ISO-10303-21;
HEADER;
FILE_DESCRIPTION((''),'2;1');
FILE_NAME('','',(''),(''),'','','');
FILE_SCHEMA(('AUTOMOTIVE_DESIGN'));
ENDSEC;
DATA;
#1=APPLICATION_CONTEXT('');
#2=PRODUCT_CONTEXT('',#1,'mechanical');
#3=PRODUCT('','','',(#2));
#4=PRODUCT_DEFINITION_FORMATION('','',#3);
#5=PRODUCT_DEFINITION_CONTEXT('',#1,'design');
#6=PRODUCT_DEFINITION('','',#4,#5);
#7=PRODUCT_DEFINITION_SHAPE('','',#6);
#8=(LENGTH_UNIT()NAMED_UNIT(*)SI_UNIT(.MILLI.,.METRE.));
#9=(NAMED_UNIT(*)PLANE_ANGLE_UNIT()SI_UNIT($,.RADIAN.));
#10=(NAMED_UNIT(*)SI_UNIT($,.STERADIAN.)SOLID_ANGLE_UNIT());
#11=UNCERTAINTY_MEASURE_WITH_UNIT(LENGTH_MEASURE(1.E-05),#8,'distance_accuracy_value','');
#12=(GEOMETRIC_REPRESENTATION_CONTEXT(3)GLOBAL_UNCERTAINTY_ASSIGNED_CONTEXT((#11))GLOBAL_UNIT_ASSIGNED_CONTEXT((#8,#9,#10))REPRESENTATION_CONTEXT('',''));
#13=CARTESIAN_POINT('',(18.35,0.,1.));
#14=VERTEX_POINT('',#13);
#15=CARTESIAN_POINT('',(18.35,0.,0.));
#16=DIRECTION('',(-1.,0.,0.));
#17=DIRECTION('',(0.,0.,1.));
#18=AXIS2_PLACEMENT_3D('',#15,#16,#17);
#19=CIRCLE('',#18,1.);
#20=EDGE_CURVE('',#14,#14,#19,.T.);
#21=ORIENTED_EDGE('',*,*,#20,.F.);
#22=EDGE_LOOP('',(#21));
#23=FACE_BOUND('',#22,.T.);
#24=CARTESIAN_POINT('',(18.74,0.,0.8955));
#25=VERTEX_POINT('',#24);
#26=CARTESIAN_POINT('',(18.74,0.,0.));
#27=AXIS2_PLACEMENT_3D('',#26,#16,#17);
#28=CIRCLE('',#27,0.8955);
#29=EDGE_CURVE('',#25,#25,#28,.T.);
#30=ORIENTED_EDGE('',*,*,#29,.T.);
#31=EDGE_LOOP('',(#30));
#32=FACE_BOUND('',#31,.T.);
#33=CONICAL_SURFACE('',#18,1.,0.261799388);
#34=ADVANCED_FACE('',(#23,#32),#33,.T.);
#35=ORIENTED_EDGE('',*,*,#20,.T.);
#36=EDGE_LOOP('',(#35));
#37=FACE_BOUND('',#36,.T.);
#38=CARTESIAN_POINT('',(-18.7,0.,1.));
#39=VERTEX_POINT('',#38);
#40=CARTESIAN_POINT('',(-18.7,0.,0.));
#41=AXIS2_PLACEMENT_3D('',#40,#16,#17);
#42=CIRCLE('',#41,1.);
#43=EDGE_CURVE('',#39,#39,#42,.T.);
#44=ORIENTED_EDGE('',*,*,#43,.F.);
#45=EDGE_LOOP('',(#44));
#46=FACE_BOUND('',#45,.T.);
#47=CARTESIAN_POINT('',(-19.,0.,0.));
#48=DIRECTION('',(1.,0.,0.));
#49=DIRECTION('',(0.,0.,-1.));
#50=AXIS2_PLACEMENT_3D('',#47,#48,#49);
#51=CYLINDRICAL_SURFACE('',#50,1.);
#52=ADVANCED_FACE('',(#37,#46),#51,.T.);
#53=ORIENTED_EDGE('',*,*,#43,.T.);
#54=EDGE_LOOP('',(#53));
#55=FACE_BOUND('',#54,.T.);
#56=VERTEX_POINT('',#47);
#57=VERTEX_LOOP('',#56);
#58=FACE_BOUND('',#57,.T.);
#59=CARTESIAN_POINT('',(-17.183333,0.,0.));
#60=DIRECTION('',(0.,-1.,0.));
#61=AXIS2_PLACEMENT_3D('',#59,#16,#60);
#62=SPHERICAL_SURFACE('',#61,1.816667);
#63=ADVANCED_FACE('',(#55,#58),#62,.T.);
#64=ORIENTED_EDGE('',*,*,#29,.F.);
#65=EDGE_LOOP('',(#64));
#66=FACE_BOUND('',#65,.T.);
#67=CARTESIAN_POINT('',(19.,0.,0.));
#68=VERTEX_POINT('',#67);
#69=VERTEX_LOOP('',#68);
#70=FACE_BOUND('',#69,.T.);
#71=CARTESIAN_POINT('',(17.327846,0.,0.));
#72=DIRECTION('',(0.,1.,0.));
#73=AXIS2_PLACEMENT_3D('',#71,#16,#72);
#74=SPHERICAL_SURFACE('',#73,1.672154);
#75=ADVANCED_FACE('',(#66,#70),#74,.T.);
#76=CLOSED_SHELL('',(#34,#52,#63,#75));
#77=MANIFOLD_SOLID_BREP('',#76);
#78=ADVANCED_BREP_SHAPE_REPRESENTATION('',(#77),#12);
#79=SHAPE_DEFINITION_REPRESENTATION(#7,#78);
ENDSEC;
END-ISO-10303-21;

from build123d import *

# Parameters (mm, degrees)
EXTRUDE1_DEPTH      = 19
EXTRUDE1_DEPTH_BACK = 19
SKETCH2_R           = 1


with BuildPart() as part:
    # Sketch2 → Extrude1 (new, two sides: drawn at the far end of the back side and taken through both)
    with BuildSketch(Plane(origin=(0, 0, 0), x_dir=(0, 0, -1), z_dir=(1, 0, 0)).offset(-EXTRUDE1_DEPTH_BACK)):
        Circle(SKETCH2_R)
    extrude(amount=EXTRUDE1_DEPTH + EXTRUDE1_DEPTH_BACK)

    # Sketch5 → Cut-Revolve1 (revolve, cut)
    with BuildSketch(Plane.XY, mode=Mode.PRIVATE) as cut_revolve1_sk:
        with BuildLine():
            Line((18.35, 1), (18.35, 1.5))
            Line((18.35, 1.5), (19.5, 1.5))
            Line((19.5, 1.5), (19.5, 0))
            Line((19.5, 0), (19, 0))
            ThreePointArc((19, 0), (18.933685026, 0.46624026), (18.74, 0.895499815))
            Line((18.74, 0.895499815), (18.35, 1))
        make_face()
        with BuildLine():
            Line((-18.7, 1), (-18.7, 1.5))
            Line((-18.7, 1.5), (-19.5, 1.5))
            Line((-19.5, 1.5), (-19.5, 0))
            Line((-19.5, 0), (-19, 0))
            ThreePointArc((-19, 0), (-18.923384418, 0.522015325), (-18.7, 1))
        make_face()
    revolve(cut_revolve1_sk.sketch.rotate(Axis((-19, 0, 0), (1, 0, 0)), 90), axis=Axis((-19, 0, 0), (1, 0, 0)), mode=Mode.SUBTRACT)


solid = part.part
